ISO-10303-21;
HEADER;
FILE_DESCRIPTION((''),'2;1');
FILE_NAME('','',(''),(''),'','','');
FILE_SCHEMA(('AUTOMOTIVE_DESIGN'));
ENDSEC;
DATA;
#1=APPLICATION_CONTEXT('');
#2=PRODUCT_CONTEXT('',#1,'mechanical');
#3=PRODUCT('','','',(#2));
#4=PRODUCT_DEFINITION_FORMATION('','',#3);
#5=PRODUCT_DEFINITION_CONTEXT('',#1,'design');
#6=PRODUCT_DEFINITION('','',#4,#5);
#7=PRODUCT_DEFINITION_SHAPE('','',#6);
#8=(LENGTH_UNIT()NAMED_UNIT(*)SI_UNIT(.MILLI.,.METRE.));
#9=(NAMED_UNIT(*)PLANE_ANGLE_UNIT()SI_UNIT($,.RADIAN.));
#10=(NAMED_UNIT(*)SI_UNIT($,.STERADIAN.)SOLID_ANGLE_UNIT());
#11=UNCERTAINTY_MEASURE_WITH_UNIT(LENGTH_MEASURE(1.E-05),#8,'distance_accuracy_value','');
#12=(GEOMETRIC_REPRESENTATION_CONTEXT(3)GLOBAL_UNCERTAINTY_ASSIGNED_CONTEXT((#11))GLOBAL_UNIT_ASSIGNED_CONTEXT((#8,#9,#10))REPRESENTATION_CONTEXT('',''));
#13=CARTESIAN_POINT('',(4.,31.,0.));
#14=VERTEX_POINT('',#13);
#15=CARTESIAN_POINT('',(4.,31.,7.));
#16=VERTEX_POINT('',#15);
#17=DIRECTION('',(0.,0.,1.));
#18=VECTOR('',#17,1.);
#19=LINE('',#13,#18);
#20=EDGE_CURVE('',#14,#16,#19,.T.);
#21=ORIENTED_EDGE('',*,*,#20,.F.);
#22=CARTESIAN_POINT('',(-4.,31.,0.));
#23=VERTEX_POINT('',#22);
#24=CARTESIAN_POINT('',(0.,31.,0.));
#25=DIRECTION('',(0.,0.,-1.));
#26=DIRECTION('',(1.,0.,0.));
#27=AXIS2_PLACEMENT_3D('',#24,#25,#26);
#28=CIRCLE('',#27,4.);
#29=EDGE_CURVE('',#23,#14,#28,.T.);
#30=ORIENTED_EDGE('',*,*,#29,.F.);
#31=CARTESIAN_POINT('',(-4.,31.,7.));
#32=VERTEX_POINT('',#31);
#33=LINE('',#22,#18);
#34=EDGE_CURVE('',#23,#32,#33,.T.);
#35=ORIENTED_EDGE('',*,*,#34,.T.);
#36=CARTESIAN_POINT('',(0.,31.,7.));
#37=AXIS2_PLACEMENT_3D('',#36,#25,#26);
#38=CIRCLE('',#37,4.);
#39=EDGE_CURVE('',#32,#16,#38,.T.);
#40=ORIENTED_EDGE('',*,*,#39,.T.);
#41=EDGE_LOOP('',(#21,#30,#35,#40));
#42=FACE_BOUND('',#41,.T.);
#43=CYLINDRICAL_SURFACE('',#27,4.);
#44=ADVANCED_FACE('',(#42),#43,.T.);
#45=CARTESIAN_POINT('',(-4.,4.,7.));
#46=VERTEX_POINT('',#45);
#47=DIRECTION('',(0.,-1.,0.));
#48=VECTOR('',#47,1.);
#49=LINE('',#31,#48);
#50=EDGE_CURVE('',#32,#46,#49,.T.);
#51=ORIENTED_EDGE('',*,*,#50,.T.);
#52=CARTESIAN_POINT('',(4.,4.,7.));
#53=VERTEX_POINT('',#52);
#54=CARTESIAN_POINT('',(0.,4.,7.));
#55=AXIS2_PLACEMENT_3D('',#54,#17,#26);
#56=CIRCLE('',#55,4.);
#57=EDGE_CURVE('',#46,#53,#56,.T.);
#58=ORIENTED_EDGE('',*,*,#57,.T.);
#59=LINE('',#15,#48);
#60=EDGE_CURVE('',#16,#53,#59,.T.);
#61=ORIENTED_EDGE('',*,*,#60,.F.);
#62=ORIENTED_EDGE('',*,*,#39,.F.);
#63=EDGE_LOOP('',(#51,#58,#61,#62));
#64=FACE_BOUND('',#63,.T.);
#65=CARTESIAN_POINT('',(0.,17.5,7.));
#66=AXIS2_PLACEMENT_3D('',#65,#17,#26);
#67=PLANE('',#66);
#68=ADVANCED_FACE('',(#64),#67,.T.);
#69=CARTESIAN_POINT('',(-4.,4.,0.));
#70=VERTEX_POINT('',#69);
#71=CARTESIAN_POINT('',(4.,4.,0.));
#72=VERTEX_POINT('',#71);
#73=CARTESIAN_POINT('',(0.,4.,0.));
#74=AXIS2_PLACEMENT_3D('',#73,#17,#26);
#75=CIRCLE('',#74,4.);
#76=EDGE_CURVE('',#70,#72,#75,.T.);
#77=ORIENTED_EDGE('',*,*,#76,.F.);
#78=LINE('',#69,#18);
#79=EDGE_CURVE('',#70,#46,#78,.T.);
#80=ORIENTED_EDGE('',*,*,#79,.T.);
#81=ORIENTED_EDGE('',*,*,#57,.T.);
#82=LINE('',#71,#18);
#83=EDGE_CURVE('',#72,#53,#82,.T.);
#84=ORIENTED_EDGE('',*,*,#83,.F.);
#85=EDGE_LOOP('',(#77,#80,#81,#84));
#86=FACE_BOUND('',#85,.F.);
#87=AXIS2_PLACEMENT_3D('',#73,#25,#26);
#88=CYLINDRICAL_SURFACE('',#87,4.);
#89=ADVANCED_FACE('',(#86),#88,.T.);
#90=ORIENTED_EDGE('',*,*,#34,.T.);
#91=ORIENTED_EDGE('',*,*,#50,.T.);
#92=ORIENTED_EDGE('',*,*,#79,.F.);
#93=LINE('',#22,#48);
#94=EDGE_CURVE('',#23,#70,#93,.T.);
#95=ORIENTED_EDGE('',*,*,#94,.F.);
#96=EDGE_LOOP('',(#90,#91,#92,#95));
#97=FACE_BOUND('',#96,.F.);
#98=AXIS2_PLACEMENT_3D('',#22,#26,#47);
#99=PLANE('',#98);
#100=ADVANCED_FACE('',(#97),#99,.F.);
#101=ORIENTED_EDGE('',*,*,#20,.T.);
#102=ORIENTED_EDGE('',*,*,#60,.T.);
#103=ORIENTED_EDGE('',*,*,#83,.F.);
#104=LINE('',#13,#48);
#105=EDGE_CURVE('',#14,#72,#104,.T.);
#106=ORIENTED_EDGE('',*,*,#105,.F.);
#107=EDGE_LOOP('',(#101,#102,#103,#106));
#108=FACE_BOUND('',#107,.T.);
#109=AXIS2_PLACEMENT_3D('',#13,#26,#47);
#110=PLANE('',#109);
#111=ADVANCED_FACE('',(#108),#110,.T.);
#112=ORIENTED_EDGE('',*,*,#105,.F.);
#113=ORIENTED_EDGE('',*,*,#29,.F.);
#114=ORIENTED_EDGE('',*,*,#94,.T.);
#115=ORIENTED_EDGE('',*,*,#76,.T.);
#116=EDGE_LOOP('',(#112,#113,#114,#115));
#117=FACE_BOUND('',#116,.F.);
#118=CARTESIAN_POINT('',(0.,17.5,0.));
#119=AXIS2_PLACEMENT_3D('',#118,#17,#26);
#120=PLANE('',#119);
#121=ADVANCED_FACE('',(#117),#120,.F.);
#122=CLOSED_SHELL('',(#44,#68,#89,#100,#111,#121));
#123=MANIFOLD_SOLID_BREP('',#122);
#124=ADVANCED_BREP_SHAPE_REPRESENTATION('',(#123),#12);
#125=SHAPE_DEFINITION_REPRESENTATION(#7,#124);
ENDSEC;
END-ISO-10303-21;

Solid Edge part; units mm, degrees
sketch "Sketch1" plane through (0, 0, 0) normal (0, 0, 1) x (1, 0, 0)
  line L0 (-4, 31) -> (-4, 4)
  arc A0 (-4, 4) -> (4, 4) centre (0, 4) ccw
  line L1 (4, 31) -> (4, 4)
  arc A1 (-4, 31) -> (4, 31) centre (0, 31) cw
  dimension "D1" = 8
  dimension "D2" = 35
extrude "Protrusion1" add sketch "Sketch1" along normal blind 7
properties material "Steel"
